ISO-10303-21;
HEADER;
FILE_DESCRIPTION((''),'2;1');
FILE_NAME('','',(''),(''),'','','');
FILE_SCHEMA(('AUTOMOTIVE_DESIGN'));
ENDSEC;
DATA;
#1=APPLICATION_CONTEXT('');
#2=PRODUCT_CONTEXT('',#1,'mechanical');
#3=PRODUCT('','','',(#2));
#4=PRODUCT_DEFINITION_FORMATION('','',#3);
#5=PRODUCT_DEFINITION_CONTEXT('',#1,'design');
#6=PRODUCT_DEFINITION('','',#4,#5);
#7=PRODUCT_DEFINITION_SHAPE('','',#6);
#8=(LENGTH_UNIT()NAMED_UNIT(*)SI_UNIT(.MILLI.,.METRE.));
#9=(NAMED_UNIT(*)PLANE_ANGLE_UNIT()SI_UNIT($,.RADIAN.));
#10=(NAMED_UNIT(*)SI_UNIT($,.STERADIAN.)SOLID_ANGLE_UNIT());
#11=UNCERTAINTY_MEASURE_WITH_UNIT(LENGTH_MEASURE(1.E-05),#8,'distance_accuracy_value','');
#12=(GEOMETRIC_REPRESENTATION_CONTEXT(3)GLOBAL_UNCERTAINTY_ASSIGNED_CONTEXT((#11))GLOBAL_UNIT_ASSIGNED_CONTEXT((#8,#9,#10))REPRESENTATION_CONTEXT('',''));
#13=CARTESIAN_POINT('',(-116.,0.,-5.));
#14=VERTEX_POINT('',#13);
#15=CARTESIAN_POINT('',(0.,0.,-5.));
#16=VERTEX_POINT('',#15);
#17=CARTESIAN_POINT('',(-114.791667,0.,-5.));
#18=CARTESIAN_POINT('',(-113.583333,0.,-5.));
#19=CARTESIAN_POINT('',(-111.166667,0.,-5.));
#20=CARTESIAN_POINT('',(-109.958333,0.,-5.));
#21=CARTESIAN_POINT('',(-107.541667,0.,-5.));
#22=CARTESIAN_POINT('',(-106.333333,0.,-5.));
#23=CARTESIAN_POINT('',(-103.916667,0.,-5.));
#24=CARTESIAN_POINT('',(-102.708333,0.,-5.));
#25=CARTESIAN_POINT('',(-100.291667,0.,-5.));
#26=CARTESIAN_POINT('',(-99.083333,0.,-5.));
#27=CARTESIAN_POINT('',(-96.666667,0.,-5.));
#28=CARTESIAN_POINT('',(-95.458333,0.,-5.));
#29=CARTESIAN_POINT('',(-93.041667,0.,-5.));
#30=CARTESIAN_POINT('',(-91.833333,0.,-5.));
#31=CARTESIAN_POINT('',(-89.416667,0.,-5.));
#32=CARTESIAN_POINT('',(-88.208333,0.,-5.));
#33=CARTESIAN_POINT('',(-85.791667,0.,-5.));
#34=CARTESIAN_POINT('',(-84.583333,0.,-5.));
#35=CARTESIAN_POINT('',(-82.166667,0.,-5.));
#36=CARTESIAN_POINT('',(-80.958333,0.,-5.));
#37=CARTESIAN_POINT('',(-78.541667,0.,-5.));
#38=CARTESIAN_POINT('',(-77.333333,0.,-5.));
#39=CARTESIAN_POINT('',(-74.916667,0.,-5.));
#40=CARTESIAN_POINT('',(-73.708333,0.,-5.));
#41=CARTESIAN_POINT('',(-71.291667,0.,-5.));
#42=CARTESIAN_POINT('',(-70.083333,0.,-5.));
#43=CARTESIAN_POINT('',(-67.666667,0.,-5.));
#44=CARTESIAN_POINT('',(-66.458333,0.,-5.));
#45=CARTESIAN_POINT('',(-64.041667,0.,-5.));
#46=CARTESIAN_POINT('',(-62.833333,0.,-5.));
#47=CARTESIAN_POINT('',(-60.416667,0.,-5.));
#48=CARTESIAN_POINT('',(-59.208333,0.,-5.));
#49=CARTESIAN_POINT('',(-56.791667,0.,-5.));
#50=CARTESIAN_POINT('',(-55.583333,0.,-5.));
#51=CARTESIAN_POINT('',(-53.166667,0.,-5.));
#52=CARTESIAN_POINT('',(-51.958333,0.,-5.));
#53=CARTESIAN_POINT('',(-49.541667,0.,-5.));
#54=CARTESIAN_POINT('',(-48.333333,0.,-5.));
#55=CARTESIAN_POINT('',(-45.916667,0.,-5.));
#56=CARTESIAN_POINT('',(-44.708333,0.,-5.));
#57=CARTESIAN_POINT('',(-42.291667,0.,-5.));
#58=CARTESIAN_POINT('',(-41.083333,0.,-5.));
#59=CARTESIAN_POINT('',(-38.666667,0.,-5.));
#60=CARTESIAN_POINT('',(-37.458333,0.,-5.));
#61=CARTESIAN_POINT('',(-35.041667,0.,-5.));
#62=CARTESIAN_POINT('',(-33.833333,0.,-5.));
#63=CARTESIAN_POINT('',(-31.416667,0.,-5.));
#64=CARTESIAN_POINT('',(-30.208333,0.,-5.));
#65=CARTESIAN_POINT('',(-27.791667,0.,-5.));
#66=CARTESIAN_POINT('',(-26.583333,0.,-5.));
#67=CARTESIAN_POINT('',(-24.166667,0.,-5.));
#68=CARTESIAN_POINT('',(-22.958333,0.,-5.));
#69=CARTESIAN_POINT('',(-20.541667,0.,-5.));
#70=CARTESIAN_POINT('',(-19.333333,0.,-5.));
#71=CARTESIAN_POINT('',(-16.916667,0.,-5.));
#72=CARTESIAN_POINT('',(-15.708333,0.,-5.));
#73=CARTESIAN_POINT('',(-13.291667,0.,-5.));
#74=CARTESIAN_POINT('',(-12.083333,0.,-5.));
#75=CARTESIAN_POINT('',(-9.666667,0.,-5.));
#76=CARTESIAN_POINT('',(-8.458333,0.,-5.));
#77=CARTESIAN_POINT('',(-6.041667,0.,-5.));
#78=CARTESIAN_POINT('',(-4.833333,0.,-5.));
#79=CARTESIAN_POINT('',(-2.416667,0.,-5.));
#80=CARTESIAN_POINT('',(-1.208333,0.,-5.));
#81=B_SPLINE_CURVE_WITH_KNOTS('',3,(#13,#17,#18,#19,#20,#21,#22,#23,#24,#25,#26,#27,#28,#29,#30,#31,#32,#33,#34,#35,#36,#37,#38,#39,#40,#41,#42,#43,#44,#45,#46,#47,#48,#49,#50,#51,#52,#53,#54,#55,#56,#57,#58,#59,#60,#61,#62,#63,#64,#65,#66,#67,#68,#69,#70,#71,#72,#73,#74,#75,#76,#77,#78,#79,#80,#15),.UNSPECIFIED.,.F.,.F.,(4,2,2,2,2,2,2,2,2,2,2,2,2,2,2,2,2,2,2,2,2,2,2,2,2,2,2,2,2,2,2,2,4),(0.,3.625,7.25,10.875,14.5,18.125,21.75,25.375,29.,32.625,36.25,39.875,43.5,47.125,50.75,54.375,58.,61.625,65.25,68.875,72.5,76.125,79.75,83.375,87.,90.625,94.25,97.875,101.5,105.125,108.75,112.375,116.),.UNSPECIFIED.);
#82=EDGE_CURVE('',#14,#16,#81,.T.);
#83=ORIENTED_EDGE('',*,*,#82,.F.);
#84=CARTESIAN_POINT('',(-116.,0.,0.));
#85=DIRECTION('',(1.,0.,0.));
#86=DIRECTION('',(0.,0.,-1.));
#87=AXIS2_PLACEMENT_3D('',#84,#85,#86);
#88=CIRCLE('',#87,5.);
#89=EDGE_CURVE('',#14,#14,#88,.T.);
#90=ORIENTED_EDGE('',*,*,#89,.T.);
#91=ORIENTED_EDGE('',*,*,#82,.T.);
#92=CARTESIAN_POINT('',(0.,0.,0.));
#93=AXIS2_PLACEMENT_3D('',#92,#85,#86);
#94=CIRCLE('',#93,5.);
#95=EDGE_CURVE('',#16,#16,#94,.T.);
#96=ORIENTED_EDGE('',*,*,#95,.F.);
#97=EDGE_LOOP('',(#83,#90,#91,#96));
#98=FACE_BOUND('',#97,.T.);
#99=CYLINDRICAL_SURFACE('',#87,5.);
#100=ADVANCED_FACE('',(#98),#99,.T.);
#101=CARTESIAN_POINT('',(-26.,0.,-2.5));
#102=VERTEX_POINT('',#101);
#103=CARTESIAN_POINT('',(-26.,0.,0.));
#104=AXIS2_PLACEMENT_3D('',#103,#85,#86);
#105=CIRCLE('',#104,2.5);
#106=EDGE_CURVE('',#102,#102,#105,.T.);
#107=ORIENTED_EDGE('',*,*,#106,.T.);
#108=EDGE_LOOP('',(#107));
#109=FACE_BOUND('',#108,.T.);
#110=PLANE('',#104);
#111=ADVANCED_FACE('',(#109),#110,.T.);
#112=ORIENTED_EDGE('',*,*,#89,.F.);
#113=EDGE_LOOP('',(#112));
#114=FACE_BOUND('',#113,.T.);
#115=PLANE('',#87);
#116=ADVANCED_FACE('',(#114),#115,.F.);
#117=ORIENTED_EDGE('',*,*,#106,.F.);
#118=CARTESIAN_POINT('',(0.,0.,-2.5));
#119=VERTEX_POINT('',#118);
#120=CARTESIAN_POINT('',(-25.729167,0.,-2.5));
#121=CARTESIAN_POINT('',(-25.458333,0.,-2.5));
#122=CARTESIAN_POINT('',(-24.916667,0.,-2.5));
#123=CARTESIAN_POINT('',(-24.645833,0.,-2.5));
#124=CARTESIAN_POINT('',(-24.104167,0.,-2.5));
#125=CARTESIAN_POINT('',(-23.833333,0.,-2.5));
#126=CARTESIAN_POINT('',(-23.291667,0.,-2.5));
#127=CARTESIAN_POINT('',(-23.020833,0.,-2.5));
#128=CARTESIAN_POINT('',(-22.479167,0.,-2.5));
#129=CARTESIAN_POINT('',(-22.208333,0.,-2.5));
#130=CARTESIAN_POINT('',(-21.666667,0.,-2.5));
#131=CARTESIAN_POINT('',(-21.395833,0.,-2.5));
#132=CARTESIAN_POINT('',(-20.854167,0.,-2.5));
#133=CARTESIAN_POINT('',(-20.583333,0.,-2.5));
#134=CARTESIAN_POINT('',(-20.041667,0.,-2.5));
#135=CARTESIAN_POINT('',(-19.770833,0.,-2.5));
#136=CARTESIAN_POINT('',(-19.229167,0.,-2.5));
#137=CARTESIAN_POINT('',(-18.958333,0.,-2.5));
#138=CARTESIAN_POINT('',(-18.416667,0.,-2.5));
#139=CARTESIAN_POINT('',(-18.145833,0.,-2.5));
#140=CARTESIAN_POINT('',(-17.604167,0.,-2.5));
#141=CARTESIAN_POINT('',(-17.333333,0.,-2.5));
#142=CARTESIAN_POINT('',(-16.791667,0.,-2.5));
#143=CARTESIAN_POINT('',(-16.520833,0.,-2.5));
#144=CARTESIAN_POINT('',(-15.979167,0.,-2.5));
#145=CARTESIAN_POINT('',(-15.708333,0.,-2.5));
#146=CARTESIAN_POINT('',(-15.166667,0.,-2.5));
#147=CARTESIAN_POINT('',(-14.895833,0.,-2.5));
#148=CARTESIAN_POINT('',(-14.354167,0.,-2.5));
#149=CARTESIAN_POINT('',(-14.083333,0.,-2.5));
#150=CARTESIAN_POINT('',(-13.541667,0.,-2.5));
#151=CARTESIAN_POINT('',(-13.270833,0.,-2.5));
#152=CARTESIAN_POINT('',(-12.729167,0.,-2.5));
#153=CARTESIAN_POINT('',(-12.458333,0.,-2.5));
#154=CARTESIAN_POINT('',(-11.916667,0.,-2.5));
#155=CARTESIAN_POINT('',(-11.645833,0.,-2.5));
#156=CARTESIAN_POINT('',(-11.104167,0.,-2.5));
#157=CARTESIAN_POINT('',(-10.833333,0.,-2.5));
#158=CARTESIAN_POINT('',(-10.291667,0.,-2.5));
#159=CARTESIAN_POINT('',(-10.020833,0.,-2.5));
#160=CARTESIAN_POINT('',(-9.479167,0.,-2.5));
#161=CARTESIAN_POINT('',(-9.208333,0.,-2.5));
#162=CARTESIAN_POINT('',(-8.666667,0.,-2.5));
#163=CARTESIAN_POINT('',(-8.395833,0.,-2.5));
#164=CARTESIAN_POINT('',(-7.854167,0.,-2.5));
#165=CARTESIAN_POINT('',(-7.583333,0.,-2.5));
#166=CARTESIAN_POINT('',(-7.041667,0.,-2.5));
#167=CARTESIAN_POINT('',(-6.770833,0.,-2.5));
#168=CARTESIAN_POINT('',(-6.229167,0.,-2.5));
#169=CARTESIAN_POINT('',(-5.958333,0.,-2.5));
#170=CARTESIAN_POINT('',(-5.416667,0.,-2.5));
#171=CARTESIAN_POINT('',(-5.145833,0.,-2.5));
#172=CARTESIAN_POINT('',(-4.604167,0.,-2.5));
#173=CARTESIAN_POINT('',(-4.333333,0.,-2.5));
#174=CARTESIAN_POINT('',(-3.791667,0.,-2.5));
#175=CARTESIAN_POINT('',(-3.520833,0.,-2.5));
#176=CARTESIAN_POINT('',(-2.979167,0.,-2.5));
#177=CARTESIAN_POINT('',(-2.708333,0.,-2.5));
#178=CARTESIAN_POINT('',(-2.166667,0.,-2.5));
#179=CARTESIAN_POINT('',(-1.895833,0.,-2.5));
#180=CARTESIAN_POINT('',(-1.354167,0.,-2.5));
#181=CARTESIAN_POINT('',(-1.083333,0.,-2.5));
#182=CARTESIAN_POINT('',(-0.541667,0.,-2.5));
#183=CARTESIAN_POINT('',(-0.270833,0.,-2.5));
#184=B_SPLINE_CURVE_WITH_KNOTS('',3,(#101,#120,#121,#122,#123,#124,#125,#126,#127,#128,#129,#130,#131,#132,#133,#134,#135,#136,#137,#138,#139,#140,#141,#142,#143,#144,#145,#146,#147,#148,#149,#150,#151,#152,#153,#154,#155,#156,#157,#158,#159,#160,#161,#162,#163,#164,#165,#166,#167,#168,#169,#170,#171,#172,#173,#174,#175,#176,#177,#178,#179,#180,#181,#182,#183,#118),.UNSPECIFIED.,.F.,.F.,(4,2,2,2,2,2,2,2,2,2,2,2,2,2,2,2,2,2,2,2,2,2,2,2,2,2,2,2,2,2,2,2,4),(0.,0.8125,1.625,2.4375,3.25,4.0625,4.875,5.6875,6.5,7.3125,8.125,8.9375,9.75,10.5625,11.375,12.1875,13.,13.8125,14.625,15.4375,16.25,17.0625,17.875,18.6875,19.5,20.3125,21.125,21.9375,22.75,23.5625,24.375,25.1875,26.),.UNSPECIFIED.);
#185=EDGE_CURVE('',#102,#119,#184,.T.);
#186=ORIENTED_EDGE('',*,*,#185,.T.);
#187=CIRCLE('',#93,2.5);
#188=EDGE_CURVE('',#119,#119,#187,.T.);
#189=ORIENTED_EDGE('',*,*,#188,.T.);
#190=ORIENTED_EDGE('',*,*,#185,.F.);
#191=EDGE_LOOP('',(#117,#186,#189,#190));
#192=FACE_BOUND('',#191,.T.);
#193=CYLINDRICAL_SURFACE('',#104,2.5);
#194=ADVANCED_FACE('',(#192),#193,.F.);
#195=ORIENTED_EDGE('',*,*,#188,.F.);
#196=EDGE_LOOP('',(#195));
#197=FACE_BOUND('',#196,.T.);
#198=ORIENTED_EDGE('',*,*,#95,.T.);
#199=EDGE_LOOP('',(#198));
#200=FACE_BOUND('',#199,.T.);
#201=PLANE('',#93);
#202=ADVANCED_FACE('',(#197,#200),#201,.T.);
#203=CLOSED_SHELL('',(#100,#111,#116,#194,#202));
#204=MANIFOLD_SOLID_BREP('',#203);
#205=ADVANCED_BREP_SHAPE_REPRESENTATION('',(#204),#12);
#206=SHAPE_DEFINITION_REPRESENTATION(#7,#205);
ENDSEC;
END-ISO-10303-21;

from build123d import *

# Parameters (mm, degrees)
SKETCH1_R           = 5
BOSS_EXTRUDE1_DEPTH = 116
SKETCH2_R           = 2.5
CUT_EXTRUDE1_DEPTH  = 26


with BuildPart() as part:
    # Sketch1 → Boss-Extrude1 (new body)
    with BuildSketch(Plane(origin=(0, 0, 0), x_dir=(0, 0, -1), z_dir=(1, 0, 0))):
        Circle(SKETCH1_R)
    extrude(amount=-BOSS_EXTRUDE1_DEPTH)

    # Sketch2 → Cut-Extrude1 (cut)
    with BuildSketch(Plane(origin=(0, 0, 0), x_dir=(0, 0, -1), z_dir=(1, 0, 0))):
        Circle(SKETCH2_R)
    extrude(amount=-CUT_EXTRUDE1_DEPTH, mode=Mode.SUBTRACT)


solid = part.part
